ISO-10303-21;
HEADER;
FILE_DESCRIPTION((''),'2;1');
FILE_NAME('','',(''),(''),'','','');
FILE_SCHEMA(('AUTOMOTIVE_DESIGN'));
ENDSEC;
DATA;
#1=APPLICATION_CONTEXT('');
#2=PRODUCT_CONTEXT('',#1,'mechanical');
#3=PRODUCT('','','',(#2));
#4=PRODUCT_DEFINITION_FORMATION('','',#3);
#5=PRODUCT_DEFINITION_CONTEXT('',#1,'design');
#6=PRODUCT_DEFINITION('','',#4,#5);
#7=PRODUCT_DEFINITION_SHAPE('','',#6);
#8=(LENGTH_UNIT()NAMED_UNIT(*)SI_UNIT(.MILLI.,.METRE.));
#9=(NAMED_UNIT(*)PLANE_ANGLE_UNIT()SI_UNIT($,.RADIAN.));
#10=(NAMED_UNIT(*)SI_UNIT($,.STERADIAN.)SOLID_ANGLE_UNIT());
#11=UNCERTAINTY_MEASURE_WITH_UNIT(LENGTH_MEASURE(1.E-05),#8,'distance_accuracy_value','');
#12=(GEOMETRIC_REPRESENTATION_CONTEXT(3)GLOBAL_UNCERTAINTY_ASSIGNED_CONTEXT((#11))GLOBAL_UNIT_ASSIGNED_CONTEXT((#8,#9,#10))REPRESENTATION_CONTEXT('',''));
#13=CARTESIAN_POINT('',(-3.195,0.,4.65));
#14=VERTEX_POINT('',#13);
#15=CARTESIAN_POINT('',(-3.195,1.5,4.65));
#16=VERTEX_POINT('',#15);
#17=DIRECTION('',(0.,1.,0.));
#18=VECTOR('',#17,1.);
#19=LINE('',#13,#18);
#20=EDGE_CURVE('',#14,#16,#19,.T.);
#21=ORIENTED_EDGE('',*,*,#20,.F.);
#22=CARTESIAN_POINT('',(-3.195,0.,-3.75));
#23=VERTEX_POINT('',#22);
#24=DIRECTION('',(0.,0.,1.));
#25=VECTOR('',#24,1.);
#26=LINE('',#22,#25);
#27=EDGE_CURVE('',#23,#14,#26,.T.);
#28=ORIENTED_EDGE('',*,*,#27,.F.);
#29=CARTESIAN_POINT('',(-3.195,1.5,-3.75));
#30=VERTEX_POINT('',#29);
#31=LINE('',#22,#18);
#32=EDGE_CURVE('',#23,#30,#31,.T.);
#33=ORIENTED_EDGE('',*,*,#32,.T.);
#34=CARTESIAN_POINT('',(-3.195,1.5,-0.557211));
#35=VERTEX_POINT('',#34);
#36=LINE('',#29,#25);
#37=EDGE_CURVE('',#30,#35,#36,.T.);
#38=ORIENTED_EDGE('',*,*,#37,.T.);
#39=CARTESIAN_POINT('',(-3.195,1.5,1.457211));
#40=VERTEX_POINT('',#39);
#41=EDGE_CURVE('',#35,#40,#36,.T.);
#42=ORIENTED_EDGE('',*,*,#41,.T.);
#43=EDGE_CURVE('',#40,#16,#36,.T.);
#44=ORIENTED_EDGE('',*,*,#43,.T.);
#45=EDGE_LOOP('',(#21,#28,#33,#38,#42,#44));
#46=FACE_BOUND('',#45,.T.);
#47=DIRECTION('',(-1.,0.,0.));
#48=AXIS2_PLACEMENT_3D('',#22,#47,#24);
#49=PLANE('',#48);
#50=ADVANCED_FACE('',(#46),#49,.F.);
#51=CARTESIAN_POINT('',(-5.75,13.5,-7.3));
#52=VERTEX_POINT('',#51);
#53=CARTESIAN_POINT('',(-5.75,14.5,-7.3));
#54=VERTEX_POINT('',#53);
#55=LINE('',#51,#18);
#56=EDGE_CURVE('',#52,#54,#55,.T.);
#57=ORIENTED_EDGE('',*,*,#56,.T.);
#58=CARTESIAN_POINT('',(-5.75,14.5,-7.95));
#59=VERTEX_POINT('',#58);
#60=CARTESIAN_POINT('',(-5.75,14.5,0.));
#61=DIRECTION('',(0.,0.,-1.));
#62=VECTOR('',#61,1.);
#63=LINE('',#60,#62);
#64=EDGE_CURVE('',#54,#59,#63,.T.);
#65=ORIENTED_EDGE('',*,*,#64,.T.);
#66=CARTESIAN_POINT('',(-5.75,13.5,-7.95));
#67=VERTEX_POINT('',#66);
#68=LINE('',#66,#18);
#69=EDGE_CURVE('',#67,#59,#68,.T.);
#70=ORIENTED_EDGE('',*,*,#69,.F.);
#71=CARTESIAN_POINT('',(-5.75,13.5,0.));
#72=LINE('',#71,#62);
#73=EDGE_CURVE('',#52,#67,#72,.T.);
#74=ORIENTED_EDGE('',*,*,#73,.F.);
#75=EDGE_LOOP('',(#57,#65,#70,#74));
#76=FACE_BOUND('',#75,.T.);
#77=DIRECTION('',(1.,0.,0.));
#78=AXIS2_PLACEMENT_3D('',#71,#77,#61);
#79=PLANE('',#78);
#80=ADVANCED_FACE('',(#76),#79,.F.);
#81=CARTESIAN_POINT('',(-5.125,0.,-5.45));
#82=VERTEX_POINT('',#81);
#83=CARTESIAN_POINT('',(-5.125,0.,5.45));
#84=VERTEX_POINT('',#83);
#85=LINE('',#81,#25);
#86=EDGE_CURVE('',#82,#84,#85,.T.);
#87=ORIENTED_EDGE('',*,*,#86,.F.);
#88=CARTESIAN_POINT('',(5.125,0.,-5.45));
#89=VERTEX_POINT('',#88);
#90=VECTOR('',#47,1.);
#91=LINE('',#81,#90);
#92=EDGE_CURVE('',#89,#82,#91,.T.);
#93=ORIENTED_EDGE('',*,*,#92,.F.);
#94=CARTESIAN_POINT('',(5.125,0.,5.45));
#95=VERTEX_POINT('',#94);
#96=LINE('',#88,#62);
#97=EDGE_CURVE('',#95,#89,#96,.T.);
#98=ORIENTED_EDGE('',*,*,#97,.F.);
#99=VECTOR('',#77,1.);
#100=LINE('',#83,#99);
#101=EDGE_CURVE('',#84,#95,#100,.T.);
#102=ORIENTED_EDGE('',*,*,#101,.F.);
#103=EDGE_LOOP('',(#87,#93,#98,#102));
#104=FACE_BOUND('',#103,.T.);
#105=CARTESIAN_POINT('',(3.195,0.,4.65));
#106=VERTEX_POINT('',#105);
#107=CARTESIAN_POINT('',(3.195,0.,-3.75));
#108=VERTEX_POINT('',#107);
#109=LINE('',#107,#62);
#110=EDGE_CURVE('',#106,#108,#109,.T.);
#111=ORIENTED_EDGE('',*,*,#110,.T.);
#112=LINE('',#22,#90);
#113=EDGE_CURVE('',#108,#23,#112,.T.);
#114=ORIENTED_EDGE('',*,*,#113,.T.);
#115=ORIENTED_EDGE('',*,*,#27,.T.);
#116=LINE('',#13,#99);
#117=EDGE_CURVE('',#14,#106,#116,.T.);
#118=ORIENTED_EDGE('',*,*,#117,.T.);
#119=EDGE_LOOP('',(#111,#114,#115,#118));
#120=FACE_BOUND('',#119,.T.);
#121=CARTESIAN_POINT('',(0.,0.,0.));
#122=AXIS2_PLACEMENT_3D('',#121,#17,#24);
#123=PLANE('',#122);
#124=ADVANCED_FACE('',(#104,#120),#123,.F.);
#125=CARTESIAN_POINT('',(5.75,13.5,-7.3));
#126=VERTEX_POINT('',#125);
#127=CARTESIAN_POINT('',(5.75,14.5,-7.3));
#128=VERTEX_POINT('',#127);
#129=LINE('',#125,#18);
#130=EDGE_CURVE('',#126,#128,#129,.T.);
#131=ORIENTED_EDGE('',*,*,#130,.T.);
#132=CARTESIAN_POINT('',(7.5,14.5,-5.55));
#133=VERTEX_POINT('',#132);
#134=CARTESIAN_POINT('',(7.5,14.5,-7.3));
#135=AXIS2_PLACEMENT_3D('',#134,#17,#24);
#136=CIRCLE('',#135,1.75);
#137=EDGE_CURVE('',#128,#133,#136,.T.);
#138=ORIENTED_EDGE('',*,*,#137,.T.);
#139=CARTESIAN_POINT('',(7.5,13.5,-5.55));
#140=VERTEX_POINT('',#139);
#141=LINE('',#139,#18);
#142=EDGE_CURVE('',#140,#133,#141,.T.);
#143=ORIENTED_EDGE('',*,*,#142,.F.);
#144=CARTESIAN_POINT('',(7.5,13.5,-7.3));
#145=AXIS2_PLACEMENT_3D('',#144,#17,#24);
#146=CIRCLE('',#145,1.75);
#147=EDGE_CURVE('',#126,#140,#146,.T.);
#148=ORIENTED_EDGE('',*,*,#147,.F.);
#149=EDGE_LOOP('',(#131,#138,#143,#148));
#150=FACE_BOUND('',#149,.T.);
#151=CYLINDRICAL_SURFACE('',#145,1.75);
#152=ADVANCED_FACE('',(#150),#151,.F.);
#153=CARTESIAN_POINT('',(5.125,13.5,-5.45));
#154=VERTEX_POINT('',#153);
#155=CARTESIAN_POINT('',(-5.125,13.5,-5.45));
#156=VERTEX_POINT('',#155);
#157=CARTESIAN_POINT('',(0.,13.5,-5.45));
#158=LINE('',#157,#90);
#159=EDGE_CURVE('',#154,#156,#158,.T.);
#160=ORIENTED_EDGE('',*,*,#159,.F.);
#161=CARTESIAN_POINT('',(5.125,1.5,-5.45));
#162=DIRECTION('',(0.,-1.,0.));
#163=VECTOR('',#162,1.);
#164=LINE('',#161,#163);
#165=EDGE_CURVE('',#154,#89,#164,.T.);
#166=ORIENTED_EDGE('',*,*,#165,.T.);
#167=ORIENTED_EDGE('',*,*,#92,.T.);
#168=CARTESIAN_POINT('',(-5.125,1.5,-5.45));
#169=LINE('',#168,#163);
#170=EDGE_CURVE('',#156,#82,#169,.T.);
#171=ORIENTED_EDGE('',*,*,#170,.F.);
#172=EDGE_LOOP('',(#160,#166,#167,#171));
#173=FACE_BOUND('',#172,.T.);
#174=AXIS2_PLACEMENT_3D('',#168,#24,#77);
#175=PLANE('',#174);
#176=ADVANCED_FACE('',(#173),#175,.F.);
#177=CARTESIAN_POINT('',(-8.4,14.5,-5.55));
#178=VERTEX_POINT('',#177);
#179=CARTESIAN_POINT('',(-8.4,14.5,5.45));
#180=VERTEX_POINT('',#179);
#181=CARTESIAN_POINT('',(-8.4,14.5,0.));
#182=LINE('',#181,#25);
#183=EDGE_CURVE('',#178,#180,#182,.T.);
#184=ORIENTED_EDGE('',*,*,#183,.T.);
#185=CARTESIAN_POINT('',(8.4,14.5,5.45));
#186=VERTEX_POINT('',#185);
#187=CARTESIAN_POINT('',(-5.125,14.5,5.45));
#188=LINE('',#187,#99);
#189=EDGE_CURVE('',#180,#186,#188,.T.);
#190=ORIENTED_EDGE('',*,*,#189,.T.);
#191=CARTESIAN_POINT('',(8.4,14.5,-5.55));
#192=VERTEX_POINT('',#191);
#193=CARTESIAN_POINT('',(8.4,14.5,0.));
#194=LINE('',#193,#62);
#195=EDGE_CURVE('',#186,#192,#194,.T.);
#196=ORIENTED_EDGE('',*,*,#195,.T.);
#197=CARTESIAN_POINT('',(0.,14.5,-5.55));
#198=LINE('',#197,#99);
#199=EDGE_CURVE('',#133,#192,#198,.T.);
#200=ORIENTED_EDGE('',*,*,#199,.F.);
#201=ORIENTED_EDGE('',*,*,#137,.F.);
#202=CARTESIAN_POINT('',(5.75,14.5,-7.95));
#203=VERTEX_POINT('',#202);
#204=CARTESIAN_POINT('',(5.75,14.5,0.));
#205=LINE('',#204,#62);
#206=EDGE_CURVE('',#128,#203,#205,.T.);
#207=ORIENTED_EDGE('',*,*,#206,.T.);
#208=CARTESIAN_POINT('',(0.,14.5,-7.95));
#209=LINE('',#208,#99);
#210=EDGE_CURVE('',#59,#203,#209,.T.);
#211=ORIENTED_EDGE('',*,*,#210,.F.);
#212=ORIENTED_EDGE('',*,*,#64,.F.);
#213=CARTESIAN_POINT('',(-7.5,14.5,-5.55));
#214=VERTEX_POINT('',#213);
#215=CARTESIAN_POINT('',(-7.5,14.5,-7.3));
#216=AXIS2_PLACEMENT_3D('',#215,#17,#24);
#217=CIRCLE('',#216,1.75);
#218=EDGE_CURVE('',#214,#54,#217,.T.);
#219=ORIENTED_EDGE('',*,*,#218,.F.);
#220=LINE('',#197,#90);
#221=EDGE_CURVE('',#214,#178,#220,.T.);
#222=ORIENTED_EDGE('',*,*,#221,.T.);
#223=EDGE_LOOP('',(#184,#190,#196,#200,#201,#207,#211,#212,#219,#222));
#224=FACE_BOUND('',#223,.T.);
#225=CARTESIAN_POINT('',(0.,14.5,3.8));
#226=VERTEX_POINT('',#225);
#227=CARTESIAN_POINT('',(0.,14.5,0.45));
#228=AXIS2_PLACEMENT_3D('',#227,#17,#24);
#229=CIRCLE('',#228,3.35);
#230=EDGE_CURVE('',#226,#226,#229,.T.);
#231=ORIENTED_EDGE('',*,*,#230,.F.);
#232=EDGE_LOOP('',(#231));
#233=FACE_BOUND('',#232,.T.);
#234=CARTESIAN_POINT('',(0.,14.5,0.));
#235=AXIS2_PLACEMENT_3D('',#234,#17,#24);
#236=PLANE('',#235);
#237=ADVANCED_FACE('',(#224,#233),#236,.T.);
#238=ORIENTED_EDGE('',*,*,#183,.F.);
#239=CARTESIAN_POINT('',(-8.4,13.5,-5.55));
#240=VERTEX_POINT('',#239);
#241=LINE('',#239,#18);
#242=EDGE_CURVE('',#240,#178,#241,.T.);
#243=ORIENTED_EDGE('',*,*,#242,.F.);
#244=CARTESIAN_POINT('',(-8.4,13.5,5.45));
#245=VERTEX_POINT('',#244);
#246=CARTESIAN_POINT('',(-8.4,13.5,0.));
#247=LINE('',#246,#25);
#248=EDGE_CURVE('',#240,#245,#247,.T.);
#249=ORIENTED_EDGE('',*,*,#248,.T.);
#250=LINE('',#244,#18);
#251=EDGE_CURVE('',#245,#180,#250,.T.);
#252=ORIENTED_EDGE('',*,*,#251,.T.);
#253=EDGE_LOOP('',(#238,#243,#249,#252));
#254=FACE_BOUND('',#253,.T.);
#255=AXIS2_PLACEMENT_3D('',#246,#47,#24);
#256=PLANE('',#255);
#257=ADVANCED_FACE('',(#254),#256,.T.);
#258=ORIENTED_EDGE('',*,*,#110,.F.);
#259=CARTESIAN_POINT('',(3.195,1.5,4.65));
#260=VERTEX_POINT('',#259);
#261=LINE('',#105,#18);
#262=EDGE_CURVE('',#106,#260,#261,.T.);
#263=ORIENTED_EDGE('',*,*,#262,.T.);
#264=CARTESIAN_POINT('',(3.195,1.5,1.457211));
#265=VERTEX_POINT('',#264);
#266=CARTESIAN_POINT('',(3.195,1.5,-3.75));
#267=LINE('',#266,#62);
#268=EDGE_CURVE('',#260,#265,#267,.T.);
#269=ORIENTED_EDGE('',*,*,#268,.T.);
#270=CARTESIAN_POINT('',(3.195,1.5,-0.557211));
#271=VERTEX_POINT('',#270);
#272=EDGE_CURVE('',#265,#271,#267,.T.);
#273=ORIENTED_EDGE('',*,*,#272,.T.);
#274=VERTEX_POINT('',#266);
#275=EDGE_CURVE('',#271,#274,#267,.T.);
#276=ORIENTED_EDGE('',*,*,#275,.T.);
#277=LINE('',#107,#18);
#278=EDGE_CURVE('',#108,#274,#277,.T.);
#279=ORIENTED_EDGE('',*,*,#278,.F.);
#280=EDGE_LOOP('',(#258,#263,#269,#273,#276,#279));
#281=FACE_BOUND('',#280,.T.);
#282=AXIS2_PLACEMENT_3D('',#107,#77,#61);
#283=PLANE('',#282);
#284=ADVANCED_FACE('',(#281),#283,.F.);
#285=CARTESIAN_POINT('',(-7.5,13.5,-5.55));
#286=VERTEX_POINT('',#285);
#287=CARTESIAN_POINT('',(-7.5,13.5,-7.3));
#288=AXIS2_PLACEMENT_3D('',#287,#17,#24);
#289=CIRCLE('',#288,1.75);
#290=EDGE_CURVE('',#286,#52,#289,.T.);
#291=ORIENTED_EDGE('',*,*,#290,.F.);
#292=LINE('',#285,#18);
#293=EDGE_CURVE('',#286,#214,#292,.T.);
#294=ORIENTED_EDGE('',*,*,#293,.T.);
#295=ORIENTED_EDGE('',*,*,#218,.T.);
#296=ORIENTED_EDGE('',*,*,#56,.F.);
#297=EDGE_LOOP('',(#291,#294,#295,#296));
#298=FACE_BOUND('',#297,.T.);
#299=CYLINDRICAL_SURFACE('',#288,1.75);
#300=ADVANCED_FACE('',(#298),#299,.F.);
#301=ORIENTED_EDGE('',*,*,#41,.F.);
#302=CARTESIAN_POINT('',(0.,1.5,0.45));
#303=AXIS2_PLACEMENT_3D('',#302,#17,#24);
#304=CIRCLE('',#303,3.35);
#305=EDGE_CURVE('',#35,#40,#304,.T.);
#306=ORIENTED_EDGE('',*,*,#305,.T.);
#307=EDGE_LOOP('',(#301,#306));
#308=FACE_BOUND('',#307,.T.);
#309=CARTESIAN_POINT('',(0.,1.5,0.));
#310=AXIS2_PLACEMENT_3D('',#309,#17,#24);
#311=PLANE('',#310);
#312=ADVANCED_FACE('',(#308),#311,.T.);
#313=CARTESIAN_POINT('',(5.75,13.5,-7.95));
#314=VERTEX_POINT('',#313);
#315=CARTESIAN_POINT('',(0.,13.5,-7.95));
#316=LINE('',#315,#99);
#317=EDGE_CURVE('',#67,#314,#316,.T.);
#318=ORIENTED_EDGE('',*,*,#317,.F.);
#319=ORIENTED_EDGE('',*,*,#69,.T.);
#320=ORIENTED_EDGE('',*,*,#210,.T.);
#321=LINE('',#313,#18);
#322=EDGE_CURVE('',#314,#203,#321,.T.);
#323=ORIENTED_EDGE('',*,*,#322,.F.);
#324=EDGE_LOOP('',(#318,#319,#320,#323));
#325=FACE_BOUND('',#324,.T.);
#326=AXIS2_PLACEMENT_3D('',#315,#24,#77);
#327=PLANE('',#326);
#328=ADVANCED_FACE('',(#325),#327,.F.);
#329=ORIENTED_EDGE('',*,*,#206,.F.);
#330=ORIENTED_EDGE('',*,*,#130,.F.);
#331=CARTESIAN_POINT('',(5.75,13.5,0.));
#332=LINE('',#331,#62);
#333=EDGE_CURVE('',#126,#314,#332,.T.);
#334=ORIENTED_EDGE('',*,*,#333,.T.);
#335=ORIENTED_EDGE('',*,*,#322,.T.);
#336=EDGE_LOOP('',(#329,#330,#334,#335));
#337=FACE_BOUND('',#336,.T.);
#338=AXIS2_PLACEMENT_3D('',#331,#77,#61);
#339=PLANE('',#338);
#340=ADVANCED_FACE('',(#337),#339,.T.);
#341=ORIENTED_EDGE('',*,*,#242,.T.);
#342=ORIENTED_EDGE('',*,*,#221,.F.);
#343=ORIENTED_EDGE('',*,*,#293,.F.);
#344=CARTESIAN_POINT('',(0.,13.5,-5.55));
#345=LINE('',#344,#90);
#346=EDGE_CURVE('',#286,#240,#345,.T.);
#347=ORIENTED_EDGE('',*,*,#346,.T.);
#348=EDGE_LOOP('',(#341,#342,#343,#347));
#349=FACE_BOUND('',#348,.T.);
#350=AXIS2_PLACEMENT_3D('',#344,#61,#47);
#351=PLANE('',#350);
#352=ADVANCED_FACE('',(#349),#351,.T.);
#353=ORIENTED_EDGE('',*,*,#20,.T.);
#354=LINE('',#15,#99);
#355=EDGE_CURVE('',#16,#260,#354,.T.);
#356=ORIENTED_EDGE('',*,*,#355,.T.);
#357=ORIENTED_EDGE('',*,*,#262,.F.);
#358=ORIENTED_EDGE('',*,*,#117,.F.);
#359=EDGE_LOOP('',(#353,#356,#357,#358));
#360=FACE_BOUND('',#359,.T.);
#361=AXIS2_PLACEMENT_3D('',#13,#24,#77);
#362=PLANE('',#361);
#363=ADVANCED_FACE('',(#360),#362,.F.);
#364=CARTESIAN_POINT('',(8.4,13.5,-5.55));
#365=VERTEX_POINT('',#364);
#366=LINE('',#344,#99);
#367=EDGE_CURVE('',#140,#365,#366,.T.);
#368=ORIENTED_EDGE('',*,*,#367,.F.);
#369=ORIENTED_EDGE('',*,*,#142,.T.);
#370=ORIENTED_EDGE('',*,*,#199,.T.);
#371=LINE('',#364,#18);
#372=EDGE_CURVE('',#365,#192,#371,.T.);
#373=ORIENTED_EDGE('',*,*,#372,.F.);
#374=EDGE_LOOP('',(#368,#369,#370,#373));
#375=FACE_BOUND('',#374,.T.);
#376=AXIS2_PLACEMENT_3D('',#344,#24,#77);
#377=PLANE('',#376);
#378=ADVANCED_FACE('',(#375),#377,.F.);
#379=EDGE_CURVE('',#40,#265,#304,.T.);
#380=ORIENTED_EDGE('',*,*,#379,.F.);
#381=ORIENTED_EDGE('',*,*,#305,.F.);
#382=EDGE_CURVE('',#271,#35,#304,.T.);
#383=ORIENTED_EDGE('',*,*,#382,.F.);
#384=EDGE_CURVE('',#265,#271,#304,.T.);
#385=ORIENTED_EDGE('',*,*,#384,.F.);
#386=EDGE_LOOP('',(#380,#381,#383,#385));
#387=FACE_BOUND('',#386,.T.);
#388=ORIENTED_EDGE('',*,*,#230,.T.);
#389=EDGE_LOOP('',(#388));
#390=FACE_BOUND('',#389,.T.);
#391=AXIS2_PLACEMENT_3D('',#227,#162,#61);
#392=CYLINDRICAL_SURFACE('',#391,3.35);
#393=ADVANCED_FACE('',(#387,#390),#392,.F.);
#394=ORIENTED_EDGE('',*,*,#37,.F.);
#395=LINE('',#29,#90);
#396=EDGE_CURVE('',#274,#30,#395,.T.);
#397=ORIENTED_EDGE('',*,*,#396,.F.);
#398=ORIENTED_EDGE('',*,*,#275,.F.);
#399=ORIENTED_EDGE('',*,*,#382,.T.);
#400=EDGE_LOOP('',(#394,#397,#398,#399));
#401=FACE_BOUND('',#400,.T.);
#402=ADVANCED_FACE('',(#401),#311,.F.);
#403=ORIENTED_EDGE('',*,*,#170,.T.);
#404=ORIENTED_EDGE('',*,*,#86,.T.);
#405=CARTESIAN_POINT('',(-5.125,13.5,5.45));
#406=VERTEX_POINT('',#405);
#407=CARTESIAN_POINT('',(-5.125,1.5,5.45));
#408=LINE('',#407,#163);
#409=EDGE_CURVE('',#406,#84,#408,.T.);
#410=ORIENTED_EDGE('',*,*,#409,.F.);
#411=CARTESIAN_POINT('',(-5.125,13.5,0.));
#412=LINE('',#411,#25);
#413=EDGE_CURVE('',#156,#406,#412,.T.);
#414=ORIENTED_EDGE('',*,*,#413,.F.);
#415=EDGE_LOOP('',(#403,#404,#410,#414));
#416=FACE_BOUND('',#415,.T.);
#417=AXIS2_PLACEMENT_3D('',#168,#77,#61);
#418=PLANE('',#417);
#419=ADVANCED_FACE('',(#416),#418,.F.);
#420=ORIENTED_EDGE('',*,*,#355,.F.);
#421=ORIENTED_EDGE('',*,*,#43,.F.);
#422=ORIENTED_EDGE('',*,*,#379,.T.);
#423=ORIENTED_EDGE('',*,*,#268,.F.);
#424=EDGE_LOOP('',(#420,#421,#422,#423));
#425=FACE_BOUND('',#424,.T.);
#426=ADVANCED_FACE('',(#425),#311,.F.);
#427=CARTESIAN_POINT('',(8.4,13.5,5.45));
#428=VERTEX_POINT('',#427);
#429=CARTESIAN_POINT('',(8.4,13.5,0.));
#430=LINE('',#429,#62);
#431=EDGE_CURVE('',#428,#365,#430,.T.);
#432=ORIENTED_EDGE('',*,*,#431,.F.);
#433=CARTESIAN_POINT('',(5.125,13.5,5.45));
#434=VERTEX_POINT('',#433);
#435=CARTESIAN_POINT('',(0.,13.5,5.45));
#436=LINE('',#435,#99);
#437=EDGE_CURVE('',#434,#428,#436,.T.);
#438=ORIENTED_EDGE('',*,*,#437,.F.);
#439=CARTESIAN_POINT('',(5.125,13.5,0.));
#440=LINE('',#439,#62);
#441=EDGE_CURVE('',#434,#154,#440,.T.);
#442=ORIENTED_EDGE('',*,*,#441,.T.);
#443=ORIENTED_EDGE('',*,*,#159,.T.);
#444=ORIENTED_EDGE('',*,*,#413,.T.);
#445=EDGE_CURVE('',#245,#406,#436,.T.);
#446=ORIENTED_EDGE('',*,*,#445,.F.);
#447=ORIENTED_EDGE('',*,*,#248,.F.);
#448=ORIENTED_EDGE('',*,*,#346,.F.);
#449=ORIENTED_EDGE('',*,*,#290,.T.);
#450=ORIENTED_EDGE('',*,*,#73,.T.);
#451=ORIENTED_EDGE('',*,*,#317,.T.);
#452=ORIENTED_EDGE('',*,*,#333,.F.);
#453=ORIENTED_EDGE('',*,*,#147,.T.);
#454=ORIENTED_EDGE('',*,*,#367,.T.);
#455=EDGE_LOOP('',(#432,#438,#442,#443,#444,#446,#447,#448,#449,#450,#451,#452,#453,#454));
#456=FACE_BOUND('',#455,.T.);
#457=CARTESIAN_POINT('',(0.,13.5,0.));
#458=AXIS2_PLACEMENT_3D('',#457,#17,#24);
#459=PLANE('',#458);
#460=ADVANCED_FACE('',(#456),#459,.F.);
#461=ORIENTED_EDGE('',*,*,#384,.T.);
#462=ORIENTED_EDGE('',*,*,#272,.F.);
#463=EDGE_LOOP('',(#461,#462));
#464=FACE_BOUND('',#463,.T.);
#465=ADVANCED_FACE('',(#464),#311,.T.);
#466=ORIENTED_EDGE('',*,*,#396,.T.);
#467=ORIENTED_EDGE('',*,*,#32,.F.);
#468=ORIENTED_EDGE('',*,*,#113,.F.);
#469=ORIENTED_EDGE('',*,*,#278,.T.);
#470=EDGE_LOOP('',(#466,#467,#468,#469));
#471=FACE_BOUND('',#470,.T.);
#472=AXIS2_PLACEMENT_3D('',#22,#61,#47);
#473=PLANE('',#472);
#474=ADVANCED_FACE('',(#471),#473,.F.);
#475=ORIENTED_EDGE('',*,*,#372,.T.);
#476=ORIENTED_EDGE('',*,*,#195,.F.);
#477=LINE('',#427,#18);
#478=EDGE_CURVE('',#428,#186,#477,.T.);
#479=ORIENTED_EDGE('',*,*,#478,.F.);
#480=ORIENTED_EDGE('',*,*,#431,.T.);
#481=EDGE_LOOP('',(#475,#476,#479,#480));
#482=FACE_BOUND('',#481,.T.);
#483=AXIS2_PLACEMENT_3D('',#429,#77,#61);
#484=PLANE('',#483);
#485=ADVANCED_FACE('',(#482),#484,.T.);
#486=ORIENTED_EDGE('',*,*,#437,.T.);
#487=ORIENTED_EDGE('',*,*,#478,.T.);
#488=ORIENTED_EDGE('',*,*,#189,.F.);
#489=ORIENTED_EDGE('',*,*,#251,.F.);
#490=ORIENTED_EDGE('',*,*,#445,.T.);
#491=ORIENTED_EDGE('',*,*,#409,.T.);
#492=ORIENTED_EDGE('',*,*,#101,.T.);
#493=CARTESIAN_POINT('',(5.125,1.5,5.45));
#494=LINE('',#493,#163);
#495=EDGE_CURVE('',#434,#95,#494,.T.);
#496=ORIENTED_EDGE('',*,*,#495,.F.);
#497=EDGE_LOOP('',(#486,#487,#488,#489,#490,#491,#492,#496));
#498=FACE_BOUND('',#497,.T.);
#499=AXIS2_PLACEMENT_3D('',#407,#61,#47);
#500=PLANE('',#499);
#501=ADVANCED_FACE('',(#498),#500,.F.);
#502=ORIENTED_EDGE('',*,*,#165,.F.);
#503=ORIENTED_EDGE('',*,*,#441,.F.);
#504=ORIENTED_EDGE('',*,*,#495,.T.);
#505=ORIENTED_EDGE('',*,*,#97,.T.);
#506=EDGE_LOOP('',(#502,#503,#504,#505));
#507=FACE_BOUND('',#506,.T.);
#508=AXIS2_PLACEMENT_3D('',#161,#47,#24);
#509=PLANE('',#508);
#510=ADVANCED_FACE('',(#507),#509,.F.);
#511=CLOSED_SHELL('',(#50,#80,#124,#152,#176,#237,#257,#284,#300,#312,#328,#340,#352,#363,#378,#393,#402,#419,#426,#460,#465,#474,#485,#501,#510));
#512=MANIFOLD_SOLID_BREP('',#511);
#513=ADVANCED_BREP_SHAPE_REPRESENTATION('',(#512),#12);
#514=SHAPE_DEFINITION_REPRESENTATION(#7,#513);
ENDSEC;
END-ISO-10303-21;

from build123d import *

# Parameters (mm, degrees)
SKETCH1_W           = 10.25
SKETCH1_H           = 10.9
BOSS_EXTRUDE1_DEPTH = 1.5
SKETCH2_W           = 6.39
SKETCH2_H           = 8.4
CUT_EXTRUDE1_DEPTH  = 8.630080275
SKETCH3_W           = 10.25
SKETCH3_H           = 10.9
SKETCH3_R           = 3.35
BOSS_EXTRUDE2_DEPTH = 13
BOSS_EXTRUDE3_DEPTH = 1


with BuildPart() as part:
    # Sketch1 → Boss-Extrude1 (new body)
    with BuildSketch(Plane(origin=(0, 0, 0), x_dir=(1, 0, 0), z_dir=(0, 1, 0))):
        Rectangle(SKETCH1_W, SKETCH1_H)
    extrude(amount=BOSS_EXTRUDE1_DEPTH)

    # Sketch2 → Cut-Extrude1 (cut, through all)
    with BuildSketch(Plane(origin=(0, 1.5, 0), x_dir=(1, 0, 0), z_dir=(0, 1, 0))):
        with Locations((0, -0.45)):
            Rectangle(SKETCH2_W, SKETCH2_H)
    extrude(amount=-CUT_EXTRUDE1_DEPTH, mode=Mode.SUBTRACT)

    # Sketch3 → Boss-Extrude2 (add)
    with BuildSketch(Plane(origin=(0, 1.5, 0), x_dir=(1, 0, 0), z_dir=(0, 1, 0))):
        Rectangle(SKETCH3_W, SKETCH3_H)
        with Locations(Location((0, -0.45, 0), (0, 0, 162.502742528))):
            Circle(SKETCH3_R, mode=Mode.SUBTRACT)
    extrude(amount=BOSS_EXTRUDE2_DEPTH)

    # Sketch5 → Boss-Extrude3 (add)
    with BuildSketch(Plane(origin=(0, 14.5, 0), x_dir=(1, 0, 0), z_dir=(0, 1, 0))):
        with BuildLine():
            Line((-5.75, 7.95), (-5.75, 7.3))
            ThreePointArc((-5.75, 7.3), (-6.262563133, 6.062563133), (-7.5, 5.55))
            Line((-7.5, 5.55), (-8.4, 5.55))
            Line((-8.4, 5.55), (-8.4, -5.45))
            Line((-8.4, -5.45), (-5.125, -5.45))
            Line((-5.125, -5.45), (-5.125, 5.45))
            Line((-5.125, 5.45), (5.125, 5.45))
            Line((5.125, 5.45), (5.125, -5.45))
            Line((5.125, -5.45), (8.4, -5.45))
            Line((8.4, -5.45), (8.4, 5.55))
            Line((8.4, 5.55), (7.5, 5.55))
            ThreePointArc((7.5, 5.55), (6.262563133, 6.062563133), (5.75, 7.3))
            Line((5.75, 7.3), (5.75, 7.95))
            Line((5.75, 7.95), (-5.75, 7.95))
        make_face()
    extrude(amount=-BOSS_EXTRUDE3_DEPTH)


solid = part.part
